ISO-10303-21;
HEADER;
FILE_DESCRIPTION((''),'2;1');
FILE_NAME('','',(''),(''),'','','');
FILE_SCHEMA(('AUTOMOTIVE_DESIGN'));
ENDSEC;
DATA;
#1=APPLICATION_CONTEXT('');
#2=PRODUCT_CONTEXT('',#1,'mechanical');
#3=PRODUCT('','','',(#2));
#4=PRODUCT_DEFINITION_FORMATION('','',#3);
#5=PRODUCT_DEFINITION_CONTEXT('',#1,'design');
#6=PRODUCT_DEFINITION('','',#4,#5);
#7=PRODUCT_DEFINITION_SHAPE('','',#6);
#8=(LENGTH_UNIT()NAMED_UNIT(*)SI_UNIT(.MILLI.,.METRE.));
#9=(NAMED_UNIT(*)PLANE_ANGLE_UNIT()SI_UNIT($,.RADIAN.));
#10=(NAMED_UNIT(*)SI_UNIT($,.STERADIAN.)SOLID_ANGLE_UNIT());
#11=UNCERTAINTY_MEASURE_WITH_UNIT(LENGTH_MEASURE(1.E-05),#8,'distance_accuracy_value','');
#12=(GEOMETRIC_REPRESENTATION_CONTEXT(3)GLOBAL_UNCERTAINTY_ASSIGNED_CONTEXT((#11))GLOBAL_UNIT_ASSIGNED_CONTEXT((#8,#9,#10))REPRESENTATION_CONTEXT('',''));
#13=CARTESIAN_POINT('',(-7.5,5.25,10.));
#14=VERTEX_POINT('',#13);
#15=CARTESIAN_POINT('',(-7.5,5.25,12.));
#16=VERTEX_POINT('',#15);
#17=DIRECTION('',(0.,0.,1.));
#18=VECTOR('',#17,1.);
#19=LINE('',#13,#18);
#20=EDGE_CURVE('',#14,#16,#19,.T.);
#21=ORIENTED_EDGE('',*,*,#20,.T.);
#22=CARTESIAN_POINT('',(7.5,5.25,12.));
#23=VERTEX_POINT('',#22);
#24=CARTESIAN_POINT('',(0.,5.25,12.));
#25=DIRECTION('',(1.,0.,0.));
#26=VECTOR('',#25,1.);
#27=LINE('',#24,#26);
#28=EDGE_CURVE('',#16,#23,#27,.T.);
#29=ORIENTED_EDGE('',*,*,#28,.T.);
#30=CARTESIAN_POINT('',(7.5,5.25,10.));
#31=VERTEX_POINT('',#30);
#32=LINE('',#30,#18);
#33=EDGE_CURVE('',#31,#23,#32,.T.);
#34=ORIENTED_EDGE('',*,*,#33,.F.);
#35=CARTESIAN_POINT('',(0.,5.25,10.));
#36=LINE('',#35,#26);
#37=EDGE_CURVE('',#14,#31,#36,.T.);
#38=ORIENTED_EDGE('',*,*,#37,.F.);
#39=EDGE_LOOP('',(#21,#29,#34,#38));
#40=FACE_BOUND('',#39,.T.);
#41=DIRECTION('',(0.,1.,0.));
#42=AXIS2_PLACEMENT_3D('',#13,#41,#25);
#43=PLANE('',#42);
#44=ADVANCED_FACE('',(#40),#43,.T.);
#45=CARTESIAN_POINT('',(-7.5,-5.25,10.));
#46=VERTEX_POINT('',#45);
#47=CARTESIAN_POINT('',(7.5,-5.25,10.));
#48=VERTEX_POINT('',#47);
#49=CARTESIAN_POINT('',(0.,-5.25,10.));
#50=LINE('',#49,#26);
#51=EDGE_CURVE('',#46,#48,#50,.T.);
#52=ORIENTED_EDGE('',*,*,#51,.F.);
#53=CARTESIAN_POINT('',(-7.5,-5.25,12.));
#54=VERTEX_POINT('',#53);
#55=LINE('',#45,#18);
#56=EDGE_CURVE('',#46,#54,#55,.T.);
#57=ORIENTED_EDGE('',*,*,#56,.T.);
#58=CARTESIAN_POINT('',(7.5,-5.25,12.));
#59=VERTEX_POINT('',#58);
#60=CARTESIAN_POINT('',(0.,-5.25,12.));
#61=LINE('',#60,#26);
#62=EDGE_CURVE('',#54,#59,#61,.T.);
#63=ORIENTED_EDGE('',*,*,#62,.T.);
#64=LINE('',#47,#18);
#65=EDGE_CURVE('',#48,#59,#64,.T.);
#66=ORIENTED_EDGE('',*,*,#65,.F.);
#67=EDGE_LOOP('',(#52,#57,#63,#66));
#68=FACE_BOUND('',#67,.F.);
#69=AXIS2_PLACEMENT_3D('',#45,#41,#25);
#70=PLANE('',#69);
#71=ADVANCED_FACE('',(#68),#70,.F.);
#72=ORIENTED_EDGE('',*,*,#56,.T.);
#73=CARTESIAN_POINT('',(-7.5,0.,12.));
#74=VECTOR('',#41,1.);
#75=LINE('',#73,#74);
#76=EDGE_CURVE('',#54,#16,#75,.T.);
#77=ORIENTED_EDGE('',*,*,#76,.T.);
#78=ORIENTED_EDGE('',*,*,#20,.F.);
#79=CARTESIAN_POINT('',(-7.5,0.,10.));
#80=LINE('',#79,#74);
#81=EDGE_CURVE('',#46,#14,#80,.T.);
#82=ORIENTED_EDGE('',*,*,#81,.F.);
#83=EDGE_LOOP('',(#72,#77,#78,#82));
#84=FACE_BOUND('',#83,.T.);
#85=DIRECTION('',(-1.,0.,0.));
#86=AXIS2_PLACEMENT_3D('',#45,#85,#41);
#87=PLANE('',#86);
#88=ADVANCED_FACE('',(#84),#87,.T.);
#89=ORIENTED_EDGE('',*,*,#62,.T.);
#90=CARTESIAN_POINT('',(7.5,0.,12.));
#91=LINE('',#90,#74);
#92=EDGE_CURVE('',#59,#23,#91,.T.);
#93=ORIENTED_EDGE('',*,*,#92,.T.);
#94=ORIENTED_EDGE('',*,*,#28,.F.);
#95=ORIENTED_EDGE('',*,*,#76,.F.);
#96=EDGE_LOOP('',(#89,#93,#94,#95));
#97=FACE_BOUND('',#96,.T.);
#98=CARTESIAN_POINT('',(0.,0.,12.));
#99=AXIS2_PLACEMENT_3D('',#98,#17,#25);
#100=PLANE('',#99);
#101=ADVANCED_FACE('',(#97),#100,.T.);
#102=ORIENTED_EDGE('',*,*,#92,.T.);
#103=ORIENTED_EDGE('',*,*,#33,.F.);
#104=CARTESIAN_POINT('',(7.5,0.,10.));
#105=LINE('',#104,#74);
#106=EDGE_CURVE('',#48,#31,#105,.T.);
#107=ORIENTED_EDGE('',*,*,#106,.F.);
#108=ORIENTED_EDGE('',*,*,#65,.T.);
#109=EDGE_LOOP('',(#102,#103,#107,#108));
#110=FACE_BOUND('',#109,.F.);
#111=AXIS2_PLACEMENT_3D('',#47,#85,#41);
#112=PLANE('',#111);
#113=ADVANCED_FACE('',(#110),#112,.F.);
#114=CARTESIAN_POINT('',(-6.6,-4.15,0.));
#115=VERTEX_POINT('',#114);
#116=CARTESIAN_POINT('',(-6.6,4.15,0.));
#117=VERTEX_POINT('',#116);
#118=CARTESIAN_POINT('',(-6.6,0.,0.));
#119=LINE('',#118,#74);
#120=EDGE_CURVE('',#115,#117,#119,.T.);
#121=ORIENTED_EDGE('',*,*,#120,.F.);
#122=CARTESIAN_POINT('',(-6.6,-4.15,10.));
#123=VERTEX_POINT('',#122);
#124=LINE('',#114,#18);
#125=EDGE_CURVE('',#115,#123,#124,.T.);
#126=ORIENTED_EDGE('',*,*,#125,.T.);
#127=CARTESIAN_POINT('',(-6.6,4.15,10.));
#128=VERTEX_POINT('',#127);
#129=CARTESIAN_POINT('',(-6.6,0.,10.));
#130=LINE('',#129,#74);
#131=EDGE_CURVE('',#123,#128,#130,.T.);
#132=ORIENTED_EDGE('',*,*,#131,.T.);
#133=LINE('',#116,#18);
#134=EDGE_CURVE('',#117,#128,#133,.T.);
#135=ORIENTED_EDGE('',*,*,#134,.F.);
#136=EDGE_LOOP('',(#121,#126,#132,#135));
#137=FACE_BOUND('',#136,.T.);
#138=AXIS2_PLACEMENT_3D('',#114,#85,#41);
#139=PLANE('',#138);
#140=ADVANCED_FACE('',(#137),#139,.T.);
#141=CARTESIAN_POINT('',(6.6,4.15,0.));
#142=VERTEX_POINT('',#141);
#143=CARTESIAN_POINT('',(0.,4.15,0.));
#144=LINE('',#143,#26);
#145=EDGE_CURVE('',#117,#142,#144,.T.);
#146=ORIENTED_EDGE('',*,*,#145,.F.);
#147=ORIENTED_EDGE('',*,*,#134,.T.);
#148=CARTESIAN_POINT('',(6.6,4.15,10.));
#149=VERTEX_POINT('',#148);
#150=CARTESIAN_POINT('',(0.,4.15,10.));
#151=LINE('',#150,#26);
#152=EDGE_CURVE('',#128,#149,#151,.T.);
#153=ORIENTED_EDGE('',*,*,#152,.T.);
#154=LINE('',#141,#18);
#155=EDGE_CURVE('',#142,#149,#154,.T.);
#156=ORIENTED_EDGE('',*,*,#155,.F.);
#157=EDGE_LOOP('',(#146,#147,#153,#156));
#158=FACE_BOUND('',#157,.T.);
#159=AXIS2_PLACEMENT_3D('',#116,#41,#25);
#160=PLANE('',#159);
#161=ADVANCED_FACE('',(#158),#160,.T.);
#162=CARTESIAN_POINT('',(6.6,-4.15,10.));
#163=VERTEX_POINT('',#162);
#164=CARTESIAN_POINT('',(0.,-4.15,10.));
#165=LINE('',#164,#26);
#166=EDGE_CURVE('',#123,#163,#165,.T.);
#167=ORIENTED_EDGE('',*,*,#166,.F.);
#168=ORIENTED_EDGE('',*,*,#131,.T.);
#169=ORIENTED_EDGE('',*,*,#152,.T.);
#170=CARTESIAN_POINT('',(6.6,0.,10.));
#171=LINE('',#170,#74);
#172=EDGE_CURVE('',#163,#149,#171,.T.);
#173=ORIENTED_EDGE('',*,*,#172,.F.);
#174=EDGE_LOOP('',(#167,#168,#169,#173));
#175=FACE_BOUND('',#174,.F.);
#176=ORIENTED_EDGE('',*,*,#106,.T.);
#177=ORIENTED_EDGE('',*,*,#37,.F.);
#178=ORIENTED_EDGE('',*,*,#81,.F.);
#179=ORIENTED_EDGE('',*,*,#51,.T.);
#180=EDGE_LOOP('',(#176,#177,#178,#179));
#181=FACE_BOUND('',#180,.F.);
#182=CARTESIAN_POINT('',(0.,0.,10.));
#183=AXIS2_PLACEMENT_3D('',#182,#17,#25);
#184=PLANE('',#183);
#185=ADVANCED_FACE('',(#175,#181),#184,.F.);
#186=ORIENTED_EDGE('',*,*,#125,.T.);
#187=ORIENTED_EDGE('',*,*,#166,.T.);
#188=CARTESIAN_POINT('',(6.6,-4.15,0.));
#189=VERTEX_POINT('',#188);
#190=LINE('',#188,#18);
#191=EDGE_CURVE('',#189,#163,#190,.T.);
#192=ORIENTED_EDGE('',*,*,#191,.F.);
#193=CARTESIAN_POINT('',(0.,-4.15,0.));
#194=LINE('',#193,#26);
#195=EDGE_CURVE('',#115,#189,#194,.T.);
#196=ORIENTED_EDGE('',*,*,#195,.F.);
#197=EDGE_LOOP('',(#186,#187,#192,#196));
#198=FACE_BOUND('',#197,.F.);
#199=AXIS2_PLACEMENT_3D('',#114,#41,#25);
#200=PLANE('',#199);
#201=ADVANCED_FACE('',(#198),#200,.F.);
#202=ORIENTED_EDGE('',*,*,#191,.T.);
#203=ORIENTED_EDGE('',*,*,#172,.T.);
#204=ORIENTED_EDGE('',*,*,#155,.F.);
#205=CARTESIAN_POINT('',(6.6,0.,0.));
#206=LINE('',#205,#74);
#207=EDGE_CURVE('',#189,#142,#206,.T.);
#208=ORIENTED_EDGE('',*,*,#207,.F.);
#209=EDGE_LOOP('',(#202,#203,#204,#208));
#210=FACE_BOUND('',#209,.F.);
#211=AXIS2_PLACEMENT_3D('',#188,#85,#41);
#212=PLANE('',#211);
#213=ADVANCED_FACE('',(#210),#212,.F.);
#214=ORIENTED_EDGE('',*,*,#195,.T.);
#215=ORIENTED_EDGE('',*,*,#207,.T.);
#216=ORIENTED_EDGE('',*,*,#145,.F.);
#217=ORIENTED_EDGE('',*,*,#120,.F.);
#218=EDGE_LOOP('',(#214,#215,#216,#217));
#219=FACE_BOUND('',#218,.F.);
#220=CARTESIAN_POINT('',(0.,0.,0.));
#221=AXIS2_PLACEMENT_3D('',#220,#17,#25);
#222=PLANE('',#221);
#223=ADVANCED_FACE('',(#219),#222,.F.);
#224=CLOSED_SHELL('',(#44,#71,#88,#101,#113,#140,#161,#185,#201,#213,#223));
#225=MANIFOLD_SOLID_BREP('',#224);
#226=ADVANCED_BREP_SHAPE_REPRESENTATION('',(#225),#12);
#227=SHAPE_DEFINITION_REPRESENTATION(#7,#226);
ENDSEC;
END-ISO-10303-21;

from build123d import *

# Parameters (mm, degrees)
F0_W     = 13.2
F0_H     = 8.3
F1_DEPTH = 10
F2_W     = 15
F2_H     = 10.5
F2_W_2   = 13.2
F2_H_2   = 8.3
F3_DEPTH = 2


with BuildPart() as f1:
    # F0 (on Top) → F1 (new body)
    with BuildSketch(Plane.XY):
        Rectangle(F0_W, F0_H)
    extrude(amount=F1_DEPTH)

    # F2 (on face) → F3 (join)
    with BuildSketch(Plane.XY.offset(10)):
        Rectangle(F2_W, F2_H)
        Rectangle(F2_W_2, F2_H_2, mode=Mode.SUBTRACT)
        Rectangle(F2_W_2, F2_H_2)
    extrude(amount=F3_DEPTH)


solid = f1.part
